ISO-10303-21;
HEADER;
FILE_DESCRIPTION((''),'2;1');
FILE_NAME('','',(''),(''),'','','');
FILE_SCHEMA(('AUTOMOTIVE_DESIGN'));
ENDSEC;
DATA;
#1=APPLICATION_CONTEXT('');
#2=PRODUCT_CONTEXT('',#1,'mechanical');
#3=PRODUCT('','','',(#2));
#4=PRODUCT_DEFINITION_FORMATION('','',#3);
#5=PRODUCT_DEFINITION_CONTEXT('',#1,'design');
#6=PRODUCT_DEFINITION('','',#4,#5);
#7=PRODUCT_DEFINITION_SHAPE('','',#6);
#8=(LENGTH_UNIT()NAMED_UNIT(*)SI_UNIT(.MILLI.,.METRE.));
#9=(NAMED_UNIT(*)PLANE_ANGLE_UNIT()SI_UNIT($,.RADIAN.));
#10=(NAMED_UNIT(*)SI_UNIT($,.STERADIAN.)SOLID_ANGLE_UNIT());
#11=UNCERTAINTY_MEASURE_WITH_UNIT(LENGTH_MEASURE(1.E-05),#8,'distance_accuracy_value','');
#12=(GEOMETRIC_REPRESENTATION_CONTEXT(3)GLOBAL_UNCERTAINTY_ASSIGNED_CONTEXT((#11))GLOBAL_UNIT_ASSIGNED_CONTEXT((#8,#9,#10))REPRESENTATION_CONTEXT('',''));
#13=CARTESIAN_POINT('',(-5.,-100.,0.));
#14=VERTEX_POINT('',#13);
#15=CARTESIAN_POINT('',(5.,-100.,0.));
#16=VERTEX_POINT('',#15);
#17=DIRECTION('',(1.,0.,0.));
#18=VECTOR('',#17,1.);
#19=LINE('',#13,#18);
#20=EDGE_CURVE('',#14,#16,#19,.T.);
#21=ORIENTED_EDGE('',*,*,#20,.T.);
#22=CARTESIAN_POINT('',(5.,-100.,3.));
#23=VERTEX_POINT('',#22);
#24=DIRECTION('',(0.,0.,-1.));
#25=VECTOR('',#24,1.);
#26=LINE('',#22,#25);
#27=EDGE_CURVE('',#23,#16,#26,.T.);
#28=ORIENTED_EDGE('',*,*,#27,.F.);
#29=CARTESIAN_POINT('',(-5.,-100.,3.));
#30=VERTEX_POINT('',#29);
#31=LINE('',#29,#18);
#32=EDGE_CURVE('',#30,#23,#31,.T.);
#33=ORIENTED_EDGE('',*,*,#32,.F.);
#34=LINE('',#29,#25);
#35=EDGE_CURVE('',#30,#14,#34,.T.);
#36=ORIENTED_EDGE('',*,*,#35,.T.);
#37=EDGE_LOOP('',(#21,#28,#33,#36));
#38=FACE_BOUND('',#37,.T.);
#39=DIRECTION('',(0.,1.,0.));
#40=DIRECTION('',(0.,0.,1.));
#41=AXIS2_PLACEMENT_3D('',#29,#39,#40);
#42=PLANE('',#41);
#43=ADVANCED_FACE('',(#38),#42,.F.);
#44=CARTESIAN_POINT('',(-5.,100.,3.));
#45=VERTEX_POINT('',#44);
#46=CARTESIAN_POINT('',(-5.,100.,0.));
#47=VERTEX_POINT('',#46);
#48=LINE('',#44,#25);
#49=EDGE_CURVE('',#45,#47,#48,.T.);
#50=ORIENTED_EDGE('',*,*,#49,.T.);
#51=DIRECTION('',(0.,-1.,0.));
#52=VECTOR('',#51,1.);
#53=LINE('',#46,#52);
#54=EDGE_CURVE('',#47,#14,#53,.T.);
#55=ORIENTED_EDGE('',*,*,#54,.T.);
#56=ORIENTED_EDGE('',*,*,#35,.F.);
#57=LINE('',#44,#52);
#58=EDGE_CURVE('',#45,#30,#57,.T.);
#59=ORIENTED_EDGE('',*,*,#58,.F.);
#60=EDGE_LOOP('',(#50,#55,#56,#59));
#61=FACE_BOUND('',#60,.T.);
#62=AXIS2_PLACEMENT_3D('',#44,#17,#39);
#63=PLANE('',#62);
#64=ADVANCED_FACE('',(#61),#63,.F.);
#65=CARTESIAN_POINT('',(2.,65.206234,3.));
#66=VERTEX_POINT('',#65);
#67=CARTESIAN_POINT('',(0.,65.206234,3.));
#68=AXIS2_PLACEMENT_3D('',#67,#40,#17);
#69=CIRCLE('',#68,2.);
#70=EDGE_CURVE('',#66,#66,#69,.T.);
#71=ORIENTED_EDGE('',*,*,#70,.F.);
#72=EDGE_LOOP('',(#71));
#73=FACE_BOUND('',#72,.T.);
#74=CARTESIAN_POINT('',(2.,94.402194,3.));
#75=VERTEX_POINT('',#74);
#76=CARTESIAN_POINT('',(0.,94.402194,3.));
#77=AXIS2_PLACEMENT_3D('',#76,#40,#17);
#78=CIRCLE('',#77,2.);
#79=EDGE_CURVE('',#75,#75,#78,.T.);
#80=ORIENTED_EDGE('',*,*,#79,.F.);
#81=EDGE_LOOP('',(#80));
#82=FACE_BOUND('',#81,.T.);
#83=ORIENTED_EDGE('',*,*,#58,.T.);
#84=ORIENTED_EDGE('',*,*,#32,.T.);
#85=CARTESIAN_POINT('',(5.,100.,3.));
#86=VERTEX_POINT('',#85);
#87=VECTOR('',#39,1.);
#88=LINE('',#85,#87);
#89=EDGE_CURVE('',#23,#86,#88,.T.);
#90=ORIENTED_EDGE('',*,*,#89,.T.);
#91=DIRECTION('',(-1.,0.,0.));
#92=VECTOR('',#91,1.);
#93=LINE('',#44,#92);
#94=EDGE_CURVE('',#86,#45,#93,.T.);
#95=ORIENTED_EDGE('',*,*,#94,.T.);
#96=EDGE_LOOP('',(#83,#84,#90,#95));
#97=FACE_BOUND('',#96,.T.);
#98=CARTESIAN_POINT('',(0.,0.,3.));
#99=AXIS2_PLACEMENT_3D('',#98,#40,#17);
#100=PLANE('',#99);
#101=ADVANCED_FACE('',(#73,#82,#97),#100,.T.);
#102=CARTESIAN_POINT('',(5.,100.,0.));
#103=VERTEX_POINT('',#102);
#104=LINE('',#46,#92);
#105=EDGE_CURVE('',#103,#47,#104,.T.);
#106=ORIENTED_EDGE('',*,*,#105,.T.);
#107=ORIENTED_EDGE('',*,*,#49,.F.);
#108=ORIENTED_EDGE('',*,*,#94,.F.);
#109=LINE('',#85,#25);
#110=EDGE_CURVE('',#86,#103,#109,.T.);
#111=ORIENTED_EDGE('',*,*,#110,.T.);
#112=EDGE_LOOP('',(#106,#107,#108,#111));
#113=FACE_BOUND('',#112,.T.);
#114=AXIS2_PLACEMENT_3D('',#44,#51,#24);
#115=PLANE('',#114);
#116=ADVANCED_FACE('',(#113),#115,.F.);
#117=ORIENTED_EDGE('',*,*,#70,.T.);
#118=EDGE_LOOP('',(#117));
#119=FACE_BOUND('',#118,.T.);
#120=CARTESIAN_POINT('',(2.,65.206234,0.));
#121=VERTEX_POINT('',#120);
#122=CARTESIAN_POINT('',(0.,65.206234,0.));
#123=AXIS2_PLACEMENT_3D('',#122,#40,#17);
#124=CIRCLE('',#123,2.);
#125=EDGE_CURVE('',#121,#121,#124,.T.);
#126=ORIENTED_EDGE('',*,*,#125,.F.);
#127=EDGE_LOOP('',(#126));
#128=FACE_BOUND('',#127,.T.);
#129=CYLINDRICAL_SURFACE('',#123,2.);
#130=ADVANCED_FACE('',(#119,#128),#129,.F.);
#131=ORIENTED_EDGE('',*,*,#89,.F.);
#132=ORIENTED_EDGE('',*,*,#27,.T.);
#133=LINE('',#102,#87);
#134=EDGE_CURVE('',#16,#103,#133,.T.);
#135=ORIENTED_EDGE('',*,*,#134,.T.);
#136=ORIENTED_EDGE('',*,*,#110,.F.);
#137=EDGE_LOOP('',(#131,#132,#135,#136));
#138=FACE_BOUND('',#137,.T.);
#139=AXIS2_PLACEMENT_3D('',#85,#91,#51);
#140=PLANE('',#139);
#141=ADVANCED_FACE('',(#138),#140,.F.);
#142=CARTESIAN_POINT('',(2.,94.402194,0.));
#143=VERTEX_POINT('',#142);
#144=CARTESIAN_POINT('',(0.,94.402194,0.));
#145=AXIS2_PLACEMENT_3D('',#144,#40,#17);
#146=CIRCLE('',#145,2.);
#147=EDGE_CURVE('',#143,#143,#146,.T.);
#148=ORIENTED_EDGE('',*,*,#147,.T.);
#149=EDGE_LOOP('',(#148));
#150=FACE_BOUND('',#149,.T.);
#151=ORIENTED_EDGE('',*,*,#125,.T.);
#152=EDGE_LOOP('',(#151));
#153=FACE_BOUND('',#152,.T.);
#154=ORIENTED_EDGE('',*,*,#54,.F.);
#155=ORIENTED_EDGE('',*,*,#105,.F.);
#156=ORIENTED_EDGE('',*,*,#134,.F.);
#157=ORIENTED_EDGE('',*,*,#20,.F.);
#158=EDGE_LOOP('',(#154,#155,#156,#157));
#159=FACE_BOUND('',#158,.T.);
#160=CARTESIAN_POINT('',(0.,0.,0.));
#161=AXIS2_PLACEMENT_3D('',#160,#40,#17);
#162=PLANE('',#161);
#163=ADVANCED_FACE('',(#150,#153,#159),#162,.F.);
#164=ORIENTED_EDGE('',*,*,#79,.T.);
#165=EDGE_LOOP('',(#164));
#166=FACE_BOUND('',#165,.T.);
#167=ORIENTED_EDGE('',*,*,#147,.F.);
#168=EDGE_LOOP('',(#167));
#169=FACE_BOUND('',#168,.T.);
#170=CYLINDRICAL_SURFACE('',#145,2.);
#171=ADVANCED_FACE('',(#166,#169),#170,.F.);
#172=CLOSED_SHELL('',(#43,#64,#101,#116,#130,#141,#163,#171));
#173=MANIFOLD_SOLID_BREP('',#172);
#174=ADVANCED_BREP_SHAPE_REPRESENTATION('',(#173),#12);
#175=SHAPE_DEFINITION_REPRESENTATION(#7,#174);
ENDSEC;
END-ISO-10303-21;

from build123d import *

# Parameters (mm, degrees)
SKETCH1_W           = 10
SKETCH1_H           = 200
BOSS_EXTRUDE1_DEPTH = 3
SKETCH2_R           = 2
CUT_EXTRUDE1_DEPTH  = 3


with BuildPart() as part:
    # Sketch1 → Boss-Extrude1 (new body)
    with BuildSketch(Plane.XY):
        Rectangle(SKETCH1_W, SKETCH1_H)
    extrude(amount=BOSS_EXTRUDE1_DEPTH)

    # Sketch2 → Cut-Extrude1 (cut)
    with BuildSketch(Plane.XY.offset(3)):
        with Locations((0, 94.402193775)):
            Circle(SKETCH2_R)
        with Locations((0, 65.206234386)):
            Circle(SKETCH2_R)
    extrude(amount=-CUT_EXTRUDE1_DEPTH, mode=Mode.SUBTRACT)


solid = part.part
